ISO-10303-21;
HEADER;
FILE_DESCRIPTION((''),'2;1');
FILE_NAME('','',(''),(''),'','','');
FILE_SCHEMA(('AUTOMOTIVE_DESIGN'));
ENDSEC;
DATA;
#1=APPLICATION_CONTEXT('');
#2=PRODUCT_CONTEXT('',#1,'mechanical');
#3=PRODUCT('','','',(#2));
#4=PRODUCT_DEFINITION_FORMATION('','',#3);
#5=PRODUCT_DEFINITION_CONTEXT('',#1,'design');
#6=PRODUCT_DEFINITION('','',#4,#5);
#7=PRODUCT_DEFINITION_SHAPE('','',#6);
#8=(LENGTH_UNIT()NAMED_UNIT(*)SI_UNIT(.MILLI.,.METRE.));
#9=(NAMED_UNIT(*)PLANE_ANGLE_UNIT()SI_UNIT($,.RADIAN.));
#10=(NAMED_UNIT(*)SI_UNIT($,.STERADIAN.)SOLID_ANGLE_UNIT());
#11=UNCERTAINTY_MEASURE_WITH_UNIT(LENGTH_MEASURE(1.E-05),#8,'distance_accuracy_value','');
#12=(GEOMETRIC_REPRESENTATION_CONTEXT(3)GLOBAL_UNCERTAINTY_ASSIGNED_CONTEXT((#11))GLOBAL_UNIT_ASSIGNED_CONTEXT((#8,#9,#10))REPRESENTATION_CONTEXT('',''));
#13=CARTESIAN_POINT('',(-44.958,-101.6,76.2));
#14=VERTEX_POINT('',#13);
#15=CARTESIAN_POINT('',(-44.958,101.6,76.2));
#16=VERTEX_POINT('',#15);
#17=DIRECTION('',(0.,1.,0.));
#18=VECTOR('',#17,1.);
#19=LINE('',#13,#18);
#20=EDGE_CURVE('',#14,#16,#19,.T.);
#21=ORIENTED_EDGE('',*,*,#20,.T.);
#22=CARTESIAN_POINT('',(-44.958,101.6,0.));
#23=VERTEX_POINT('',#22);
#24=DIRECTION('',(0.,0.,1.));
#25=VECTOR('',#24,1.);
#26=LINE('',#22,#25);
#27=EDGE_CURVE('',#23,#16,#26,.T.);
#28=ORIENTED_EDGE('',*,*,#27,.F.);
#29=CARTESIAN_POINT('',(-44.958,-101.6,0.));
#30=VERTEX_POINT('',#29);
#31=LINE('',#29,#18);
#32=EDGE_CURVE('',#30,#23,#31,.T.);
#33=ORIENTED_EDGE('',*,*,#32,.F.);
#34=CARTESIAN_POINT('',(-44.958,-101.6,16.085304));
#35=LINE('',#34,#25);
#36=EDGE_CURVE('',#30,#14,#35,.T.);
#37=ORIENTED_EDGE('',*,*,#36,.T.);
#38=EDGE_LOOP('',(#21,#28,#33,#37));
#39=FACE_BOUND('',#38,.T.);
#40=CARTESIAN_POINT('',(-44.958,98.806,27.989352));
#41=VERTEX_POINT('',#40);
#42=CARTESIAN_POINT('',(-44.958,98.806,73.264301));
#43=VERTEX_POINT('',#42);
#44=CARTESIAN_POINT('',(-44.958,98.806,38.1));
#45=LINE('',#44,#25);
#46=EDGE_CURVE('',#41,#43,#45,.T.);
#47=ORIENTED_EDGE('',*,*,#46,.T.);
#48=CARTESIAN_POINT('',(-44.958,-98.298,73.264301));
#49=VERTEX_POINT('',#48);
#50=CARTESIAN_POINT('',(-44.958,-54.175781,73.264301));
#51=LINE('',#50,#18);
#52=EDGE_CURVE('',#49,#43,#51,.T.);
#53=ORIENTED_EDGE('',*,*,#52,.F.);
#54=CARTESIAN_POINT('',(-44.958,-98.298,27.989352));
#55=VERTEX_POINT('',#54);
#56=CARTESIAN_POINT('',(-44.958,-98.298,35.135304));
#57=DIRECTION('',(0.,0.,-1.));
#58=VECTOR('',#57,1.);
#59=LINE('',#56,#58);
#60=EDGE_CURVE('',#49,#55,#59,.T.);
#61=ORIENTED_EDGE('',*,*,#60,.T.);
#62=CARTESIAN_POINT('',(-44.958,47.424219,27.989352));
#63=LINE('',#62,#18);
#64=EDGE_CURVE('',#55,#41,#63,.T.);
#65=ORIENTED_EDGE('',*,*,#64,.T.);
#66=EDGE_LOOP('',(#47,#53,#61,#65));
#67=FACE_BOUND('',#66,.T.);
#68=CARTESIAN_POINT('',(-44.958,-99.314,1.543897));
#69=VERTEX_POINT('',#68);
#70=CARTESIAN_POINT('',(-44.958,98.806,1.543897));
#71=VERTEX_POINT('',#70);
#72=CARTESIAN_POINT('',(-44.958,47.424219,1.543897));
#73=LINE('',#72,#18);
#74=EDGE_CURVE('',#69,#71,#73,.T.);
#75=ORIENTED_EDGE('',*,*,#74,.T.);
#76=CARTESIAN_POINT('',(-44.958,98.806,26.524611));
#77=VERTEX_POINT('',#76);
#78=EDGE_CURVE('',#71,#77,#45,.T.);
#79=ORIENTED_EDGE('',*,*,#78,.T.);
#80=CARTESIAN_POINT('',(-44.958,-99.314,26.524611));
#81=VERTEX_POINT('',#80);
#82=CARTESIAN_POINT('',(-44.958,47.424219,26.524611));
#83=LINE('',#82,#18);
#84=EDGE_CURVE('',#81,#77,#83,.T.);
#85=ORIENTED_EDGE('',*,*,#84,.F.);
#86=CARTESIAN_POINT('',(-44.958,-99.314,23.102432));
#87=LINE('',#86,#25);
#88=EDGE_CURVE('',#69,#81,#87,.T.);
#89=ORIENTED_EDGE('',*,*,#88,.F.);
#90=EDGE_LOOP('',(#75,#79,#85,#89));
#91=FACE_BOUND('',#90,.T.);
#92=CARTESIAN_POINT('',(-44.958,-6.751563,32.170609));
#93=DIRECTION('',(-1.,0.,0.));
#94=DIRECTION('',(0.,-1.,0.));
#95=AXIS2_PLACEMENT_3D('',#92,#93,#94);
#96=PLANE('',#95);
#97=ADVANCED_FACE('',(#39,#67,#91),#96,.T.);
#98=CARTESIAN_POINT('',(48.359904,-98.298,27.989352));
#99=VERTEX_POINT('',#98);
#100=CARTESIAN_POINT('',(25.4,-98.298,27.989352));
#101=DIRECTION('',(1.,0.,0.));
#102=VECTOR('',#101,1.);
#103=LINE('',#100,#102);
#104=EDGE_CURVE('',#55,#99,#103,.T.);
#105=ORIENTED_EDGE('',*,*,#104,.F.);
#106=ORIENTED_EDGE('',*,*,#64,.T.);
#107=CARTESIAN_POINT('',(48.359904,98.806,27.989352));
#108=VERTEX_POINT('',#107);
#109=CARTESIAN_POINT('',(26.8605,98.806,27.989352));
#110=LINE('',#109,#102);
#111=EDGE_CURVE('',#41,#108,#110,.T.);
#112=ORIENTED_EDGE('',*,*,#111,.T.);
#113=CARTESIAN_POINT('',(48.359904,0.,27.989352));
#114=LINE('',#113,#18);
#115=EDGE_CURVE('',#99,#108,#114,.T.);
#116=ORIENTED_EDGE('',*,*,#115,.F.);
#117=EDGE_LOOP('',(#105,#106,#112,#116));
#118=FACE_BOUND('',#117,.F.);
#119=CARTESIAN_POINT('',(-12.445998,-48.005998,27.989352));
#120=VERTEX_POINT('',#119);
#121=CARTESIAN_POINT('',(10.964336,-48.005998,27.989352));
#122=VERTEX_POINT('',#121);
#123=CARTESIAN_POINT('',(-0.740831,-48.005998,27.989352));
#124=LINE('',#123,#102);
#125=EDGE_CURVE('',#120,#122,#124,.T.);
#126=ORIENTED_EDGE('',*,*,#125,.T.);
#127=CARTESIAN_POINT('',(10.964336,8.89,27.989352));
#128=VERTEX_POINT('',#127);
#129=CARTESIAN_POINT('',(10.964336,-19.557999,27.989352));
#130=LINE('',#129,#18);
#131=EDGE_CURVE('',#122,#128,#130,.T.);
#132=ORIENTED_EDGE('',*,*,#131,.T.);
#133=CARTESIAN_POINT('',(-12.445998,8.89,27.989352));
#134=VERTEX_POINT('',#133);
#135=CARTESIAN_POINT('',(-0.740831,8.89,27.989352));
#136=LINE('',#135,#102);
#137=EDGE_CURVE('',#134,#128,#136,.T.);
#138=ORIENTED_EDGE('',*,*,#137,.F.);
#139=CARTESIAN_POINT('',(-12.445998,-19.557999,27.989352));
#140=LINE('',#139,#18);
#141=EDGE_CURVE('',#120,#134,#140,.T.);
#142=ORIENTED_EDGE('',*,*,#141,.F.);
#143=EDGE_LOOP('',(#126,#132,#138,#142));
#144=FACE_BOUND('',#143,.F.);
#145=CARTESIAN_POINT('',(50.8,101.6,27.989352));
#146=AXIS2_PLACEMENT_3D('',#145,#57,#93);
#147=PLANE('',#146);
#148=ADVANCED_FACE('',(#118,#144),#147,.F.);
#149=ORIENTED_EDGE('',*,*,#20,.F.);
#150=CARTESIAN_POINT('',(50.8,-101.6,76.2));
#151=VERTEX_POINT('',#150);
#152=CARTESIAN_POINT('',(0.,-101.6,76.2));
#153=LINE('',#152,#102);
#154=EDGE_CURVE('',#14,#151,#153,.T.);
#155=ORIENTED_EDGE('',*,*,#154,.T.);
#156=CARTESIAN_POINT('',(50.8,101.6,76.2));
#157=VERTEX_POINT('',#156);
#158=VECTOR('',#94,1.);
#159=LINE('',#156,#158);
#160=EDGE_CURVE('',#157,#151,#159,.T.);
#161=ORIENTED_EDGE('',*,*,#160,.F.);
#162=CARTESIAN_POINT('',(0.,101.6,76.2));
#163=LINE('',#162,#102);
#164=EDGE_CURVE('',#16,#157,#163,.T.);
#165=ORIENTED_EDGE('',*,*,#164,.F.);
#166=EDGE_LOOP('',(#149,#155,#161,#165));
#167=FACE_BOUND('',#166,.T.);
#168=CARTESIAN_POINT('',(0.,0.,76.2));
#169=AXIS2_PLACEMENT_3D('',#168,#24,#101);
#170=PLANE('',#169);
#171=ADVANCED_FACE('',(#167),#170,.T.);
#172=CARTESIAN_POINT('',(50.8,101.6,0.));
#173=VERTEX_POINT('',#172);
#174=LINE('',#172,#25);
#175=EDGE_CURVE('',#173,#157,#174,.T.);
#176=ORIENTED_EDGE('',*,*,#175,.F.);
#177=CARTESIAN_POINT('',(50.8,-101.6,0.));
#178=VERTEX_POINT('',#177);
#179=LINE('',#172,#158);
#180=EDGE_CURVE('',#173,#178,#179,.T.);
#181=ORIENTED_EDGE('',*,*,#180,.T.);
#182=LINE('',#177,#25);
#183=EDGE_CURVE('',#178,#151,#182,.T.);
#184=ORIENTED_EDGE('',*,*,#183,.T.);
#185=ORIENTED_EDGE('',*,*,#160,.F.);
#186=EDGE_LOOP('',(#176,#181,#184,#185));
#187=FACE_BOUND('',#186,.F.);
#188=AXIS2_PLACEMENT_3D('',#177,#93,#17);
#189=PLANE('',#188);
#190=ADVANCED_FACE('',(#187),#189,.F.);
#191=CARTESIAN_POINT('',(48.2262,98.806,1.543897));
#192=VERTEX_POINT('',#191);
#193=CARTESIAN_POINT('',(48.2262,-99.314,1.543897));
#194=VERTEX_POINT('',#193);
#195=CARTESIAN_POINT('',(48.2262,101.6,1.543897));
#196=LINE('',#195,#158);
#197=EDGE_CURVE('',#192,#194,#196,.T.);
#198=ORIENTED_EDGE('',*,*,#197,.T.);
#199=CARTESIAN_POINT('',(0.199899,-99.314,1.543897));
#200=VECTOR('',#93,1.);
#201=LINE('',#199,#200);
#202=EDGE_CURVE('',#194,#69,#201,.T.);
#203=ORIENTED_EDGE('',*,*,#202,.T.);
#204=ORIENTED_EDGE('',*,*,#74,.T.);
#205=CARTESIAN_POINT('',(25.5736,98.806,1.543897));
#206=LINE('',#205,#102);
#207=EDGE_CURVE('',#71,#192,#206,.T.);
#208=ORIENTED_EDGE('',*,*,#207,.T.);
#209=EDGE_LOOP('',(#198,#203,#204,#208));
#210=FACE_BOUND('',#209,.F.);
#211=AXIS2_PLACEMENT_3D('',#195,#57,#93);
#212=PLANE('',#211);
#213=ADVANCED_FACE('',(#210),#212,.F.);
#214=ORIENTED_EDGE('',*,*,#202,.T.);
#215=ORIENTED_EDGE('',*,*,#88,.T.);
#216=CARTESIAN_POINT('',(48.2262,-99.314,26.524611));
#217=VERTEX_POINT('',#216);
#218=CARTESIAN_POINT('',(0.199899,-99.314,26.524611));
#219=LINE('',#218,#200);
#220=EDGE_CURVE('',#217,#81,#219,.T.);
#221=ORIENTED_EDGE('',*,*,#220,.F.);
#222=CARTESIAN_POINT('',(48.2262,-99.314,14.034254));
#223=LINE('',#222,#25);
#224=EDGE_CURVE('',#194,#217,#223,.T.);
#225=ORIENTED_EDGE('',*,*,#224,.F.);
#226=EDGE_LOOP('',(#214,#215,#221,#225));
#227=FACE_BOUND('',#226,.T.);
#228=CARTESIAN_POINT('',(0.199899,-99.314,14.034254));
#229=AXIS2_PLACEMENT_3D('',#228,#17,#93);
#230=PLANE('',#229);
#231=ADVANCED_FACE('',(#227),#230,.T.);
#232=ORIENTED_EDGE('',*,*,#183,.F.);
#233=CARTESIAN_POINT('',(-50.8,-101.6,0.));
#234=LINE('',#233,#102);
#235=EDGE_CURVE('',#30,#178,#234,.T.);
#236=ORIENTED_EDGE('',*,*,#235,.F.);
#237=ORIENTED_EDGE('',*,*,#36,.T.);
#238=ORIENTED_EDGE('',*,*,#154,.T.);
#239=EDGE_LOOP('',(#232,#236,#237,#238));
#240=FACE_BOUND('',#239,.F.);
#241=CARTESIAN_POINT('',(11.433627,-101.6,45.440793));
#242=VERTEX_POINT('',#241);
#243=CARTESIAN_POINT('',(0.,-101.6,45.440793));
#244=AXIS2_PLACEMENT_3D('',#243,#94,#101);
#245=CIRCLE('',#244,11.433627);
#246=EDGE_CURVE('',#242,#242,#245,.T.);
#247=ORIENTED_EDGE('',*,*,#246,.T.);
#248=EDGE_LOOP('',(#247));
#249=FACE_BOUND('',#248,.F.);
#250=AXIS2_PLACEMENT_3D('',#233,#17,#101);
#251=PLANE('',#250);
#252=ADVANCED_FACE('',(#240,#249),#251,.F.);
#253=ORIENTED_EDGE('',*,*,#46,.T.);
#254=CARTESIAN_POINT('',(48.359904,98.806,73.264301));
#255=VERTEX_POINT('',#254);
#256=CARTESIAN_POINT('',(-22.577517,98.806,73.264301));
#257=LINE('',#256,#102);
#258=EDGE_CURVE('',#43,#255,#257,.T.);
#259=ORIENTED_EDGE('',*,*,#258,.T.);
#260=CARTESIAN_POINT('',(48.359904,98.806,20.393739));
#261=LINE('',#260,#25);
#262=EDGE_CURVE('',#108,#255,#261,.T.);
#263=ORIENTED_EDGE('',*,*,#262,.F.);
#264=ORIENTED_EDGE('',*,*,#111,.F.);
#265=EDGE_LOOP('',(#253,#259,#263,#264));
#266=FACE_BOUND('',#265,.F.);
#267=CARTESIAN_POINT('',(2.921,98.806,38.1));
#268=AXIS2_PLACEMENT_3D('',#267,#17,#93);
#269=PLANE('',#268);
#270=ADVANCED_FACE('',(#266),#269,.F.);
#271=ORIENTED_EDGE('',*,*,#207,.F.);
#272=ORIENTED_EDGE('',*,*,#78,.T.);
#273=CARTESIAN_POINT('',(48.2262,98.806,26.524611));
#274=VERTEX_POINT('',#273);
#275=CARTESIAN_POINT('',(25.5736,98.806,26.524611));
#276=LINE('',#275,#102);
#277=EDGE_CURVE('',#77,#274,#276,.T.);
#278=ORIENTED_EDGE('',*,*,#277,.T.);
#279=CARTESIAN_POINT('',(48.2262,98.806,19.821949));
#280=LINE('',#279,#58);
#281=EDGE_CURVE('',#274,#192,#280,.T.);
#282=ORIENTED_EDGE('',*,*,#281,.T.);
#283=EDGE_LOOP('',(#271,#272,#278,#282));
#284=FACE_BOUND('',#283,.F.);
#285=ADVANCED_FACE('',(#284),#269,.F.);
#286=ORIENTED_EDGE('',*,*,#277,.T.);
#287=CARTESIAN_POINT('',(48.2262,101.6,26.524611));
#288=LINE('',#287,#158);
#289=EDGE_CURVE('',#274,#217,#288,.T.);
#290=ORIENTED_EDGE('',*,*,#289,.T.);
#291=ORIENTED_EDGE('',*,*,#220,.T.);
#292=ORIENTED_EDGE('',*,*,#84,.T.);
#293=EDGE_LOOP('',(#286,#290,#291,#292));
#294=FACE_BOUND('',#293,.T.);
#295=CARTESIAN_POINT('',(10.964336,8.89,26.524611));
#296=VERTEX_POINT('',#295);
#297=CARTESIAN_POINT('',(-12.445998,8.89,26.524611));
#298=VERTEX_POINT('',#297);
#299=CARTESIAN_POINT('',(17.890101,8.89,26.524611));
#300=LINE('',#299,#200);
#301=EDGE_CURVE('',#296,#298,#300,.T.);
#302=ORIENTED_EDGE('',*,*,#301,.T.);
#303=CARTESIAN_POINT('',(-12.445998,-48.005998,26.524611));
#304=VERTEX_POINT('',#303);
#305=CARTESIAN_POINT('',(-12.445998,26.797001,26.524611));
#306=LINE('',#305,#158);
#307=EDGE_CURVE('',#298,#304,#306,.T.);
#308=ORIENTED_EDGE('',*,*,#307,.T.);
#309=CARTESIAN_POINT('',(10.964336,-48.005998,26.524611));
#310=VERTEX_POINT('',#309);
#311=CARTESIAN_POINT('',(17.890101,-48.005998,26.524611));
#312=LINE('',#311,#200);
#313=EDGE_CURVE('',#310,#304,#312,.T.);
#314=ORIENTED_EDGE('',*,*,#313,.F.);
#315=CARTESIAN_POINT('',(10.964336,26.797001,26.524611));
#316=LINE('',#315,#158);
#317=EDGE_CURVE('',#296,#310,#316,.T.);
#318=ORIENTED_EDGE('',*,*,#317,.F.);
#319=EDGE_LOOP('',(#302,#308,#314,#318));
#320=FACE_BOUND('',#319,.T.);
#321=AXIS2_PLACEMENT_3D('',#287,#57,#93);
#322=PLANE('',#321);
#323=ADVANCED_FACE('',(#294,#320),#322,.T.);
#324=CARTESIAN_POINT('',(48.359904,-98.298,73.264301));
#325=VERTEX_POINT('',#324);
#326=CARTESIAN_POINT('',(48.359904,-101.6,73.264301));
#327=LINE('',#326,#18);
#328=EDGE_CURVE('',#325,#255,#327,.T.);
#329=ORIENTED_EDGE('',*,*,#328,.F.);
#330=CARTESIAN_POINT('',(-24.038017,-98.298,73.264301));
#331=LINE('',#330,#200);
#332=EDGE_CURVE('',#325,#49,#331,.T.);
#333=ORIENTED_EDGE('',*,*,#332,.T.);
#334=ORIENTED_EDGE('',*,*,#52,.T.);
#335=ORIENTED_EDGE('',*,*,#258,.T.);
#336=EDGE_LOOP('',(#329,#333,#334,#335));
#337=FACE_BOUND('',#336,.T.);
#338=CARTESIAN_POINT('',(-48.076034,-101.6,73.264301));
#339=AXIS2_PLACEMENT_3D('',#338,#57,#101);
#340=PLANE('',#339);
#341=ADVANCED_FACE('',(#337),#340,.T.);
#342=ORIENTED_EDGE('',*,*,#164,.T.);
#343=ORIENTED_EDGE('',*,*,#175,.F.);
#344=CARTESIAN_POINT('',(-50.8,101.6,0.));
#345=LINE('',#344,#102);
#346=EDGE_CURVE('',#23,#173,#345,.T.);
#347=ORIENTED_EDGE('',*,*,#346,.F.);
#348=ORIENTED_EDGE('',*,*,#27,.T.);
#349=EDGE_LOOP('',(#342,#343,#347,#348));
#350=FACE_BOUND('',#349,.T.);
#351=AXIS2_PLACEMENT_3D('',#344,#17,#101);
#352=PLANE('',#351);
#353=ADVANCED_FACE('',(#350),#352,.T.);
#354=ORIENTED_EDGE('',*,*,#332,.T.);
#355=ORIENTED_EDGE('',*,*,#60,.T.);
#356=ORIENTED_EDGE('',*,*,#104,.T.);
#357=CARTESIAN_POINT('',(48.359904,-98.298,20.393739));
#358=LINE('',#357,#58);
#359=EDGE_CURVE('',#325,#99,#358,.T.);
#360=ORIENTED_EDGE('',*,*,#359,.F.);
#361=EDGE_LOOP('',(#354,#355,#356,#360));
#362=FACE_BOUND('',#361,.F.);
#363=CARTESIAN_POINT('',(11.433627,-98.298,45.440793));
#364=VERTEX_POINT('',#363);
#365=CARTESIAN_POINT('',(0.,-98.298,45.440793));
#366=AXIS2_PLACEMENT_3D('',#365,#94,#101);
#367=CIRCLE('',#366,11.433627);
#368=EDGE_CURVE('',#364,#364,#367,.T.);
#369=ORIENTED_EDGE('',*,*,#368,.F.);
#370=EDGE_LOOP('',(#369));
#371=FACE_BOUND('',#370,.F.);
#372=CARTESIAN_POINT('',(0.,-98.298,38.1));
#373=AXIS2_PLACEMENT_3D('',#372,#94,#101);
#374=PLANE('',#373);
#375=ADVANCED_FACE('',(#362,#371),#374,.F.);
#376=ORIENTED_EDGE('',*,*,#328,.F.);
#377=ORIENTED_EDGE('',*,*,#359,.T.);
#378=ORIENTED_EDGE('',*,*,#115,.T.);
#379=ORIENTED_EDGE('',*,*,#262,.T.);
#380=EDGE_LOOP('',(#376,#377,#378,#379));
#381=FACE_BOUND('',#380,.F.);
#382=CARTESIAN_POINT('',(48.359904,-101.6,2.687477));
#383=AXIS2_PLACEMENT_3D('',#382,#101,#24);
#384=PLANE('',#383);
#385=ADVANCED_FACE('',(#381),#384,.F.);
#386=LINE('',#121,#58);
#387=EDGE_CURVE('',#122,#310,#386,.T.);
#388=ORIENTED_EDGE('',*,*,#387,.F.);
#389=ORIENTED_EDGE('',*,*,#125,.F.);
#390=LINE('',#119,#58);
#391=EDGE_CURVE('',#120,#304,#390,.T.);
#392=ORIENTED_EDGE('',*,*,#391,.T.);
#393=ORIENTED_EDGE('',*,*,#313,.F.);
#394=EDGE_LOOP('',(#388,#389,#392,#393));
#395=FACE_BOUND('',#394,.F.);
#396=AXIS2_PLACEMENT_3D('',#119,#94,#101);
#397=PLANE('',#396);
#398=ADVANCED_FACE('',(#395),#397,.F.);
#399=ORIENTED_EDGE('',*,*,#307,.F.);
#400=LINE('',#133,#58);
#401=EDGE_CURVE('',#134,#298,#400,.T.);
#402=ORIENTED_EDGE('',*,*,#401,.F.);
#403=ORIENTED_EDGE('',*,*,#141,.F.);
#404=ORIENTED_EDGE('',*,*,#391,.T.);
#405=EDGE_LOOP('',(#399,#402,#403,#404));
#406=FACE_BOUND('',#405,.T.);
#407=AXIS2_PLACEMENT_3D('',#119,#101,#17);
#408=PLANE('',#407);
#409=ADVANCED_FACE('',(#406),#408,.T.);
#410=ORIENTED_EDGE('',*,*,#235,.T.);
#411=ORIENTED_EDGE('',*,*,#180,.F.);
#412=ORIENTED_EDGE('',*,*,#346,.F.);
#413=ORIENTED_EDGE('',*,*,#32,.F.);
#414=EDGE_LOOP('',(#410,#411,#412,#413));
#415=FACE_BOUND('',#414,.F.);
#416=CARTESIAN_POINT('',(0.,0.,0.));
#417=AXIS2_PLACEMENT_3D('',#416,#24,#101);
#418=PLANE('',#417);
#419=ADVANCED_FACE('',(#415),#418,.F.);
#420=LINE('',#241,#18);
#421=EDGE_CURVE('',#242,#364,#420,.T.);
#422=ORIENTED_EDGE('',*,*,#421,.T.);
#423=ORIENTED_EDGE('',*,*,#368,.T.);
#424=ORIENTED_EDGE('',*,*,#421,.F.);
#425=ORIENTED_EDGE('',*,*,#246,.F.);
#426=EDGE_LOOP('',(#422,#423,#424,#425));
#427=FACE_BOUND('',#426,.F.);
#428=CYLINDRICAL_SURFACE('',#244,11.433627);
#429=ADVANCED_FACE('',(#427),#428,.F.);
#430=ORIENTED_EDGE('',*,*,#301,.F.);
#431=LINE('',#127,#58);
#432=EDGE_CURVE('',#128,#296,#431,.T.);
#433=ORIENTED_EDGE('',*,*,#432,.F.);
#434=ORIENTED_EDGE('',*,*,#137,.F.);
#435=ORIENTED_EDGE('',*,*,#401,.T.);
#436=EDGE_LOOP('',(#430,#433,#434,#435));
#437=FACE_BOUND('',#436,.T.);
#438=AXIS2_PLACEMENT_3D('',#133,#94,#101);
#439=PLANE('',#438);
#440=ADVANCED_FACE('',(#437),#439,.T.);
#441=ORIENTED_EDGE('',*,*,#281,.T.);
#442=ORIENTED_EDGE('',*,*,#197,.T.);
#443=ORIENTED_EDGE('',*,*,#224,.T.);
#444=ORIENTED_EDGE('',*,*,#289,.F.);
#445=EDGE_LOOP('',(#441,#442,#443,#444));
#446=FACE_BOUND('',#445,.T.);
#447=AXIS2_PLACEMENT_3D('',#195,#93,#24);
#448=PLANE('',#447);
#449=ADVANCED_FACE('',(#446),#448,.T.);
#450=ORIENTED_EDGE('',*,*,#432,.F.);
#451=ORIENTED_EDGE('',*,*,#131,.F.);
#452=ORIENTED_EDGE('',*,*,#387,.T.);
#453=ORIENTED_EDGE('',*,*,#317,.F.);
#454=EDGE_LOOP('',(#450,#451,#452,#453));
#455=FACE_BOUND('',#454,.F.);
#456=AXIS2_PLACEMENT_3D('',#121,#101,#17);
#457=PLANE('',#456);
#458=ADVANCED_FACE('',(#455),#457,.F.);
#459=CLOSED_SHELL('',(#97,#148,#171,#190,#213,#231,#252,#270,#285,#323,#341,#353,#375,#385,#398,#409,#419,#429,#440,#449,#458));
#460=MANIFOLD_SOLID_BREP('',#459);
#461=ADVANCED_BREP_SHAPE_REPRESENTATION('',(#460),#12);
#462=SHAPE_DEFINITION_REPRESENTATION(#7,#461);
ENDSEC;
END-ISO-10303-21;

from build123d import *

# Parameters (mm, degrees)
F0_W           = 101.6
F0_H           = 203.2
F1_DEPTH       = 76.2
F2_W           = 96.435938
F2_H           = 70.576824
F3_DEPTH       = 258.572
F4_W           = 101.6
F4_H           = 76.2
F5_DEPTH       = 3.302
F6_R           = 11.433627
F7_DEPTH       = 25.4
F8_W           = 100.535084
F8_H           = 27.989352
F9_DEPTH       = 203.2
F10_W          = 96.052602
F10_H          = 24.980713
F11_DEPTH      = 200.914
F12_W          = 23.410334
F12_H          = 56.895998
F13_DEPTH      = 9.652
F13_DEPTH_BACK = 11.938
F14_W          = 233.204983
F14_H          = 100.407705
F15_DEPTH      = 5.842
F16_W          = 95.758
F16_H          = 76.2
F17_DEPTH      = 2.794


with BuildPart() as f1:
    # F0 (on Top) → F1 (new body)
    with BuildSketch(Plane.XY):
        Rectangle(F0_W, F0_H)
    extrude(amount=F1_DEPTH)

    # F2 (on face) → F3 (cut)
    with BuildSketch(Plane.XZ.offset(101.6)):
        with Locations((0.141935, 37.975889)):
            Rectangle(F2_W, F2_H)
    extrude(amount=-F3_DEPTH, mode=Mode.SUBTRACT)

    # F4 (on face) → F5 (join)
    with BuildSketch(Plane.XZ.offset(101.6)):
        with Locations((0, 38.1)):
            Rectangle(F4_W, F4_H)
    extrude(amount=-F5_DEPTH)

    # F6 (on face) → F7 (cut)
    with BuildSketch(Plane.XZ.offset(101.6)):
        with Locations((0, 45.440793)):
            Circle(F6_R)
    extrude(amount=-F7_DEPTH, mode=Mode.SUBTRACT)

    # F8 (on face) → F9 (join)
    with BuildSketch(Plane(origin=(0, 101.6, 0), x_dir=(-1, 0, 0), z_dir=(0, 1, 0))):
        with Locations((-0.532458, 13.994676)):
            Rectangle(F8_W, F8_H)
    extrude(amount=-F9_DEPTH)

    # F10 (on face) → F11 (cut)
    with BuildSketch(Plane(origin=(0, 101.6, 0), x_dir=(-1, 0, 0), z_dir=(0, 1, 0))):
        with Locations((-0.199899, 14.034254)):
            Rectangle(F10_W, F10_H)
    extrude(amount=-F11_DEPTH, mode=Mode.SUBTRACT)

    # F12 (on face) → F13 (cut, two sides)
    with BuildSketch(Plane.XY.offset(27.989352)) as f13_sk:
        with Locations((-0.740831, -19.557999)):
            Rectangle(F12_W, F12_H)
    extrude(amount=-F13_DEPTH, mode=Mode.SUBTRACT)
    extrude(f13_sk.sketch, amount=-F13_DEPTH_BACK, mode=Mode.SUBTRACT)

    # F14 (on face) → F15 (cut)
    with BuildSketch(Plane(origin=(-50.8, 0, 0), x_dir=(0, -1, 0), z_dir=(-1, 0, 0))):
        with Locations((6.751563, 32.170609)):
            Rectangle(F14_W, F14_H)
    extrude(amount=-F15_DEPTH, mode=Mode.SUBTRACT)

    # F16 (on face) → F17 (join)
    with BuildSketch(Plane(origin=(0, 101.6, 0), x_dir=(-1, 0, 0), z_dir=(0, 1, 0))):
        with Locations((-2.921, 38.1)):
            Rectangle(F16_W, F16_H)
    extrude(amount=-F17_DEPTH)


solid = f1.part
